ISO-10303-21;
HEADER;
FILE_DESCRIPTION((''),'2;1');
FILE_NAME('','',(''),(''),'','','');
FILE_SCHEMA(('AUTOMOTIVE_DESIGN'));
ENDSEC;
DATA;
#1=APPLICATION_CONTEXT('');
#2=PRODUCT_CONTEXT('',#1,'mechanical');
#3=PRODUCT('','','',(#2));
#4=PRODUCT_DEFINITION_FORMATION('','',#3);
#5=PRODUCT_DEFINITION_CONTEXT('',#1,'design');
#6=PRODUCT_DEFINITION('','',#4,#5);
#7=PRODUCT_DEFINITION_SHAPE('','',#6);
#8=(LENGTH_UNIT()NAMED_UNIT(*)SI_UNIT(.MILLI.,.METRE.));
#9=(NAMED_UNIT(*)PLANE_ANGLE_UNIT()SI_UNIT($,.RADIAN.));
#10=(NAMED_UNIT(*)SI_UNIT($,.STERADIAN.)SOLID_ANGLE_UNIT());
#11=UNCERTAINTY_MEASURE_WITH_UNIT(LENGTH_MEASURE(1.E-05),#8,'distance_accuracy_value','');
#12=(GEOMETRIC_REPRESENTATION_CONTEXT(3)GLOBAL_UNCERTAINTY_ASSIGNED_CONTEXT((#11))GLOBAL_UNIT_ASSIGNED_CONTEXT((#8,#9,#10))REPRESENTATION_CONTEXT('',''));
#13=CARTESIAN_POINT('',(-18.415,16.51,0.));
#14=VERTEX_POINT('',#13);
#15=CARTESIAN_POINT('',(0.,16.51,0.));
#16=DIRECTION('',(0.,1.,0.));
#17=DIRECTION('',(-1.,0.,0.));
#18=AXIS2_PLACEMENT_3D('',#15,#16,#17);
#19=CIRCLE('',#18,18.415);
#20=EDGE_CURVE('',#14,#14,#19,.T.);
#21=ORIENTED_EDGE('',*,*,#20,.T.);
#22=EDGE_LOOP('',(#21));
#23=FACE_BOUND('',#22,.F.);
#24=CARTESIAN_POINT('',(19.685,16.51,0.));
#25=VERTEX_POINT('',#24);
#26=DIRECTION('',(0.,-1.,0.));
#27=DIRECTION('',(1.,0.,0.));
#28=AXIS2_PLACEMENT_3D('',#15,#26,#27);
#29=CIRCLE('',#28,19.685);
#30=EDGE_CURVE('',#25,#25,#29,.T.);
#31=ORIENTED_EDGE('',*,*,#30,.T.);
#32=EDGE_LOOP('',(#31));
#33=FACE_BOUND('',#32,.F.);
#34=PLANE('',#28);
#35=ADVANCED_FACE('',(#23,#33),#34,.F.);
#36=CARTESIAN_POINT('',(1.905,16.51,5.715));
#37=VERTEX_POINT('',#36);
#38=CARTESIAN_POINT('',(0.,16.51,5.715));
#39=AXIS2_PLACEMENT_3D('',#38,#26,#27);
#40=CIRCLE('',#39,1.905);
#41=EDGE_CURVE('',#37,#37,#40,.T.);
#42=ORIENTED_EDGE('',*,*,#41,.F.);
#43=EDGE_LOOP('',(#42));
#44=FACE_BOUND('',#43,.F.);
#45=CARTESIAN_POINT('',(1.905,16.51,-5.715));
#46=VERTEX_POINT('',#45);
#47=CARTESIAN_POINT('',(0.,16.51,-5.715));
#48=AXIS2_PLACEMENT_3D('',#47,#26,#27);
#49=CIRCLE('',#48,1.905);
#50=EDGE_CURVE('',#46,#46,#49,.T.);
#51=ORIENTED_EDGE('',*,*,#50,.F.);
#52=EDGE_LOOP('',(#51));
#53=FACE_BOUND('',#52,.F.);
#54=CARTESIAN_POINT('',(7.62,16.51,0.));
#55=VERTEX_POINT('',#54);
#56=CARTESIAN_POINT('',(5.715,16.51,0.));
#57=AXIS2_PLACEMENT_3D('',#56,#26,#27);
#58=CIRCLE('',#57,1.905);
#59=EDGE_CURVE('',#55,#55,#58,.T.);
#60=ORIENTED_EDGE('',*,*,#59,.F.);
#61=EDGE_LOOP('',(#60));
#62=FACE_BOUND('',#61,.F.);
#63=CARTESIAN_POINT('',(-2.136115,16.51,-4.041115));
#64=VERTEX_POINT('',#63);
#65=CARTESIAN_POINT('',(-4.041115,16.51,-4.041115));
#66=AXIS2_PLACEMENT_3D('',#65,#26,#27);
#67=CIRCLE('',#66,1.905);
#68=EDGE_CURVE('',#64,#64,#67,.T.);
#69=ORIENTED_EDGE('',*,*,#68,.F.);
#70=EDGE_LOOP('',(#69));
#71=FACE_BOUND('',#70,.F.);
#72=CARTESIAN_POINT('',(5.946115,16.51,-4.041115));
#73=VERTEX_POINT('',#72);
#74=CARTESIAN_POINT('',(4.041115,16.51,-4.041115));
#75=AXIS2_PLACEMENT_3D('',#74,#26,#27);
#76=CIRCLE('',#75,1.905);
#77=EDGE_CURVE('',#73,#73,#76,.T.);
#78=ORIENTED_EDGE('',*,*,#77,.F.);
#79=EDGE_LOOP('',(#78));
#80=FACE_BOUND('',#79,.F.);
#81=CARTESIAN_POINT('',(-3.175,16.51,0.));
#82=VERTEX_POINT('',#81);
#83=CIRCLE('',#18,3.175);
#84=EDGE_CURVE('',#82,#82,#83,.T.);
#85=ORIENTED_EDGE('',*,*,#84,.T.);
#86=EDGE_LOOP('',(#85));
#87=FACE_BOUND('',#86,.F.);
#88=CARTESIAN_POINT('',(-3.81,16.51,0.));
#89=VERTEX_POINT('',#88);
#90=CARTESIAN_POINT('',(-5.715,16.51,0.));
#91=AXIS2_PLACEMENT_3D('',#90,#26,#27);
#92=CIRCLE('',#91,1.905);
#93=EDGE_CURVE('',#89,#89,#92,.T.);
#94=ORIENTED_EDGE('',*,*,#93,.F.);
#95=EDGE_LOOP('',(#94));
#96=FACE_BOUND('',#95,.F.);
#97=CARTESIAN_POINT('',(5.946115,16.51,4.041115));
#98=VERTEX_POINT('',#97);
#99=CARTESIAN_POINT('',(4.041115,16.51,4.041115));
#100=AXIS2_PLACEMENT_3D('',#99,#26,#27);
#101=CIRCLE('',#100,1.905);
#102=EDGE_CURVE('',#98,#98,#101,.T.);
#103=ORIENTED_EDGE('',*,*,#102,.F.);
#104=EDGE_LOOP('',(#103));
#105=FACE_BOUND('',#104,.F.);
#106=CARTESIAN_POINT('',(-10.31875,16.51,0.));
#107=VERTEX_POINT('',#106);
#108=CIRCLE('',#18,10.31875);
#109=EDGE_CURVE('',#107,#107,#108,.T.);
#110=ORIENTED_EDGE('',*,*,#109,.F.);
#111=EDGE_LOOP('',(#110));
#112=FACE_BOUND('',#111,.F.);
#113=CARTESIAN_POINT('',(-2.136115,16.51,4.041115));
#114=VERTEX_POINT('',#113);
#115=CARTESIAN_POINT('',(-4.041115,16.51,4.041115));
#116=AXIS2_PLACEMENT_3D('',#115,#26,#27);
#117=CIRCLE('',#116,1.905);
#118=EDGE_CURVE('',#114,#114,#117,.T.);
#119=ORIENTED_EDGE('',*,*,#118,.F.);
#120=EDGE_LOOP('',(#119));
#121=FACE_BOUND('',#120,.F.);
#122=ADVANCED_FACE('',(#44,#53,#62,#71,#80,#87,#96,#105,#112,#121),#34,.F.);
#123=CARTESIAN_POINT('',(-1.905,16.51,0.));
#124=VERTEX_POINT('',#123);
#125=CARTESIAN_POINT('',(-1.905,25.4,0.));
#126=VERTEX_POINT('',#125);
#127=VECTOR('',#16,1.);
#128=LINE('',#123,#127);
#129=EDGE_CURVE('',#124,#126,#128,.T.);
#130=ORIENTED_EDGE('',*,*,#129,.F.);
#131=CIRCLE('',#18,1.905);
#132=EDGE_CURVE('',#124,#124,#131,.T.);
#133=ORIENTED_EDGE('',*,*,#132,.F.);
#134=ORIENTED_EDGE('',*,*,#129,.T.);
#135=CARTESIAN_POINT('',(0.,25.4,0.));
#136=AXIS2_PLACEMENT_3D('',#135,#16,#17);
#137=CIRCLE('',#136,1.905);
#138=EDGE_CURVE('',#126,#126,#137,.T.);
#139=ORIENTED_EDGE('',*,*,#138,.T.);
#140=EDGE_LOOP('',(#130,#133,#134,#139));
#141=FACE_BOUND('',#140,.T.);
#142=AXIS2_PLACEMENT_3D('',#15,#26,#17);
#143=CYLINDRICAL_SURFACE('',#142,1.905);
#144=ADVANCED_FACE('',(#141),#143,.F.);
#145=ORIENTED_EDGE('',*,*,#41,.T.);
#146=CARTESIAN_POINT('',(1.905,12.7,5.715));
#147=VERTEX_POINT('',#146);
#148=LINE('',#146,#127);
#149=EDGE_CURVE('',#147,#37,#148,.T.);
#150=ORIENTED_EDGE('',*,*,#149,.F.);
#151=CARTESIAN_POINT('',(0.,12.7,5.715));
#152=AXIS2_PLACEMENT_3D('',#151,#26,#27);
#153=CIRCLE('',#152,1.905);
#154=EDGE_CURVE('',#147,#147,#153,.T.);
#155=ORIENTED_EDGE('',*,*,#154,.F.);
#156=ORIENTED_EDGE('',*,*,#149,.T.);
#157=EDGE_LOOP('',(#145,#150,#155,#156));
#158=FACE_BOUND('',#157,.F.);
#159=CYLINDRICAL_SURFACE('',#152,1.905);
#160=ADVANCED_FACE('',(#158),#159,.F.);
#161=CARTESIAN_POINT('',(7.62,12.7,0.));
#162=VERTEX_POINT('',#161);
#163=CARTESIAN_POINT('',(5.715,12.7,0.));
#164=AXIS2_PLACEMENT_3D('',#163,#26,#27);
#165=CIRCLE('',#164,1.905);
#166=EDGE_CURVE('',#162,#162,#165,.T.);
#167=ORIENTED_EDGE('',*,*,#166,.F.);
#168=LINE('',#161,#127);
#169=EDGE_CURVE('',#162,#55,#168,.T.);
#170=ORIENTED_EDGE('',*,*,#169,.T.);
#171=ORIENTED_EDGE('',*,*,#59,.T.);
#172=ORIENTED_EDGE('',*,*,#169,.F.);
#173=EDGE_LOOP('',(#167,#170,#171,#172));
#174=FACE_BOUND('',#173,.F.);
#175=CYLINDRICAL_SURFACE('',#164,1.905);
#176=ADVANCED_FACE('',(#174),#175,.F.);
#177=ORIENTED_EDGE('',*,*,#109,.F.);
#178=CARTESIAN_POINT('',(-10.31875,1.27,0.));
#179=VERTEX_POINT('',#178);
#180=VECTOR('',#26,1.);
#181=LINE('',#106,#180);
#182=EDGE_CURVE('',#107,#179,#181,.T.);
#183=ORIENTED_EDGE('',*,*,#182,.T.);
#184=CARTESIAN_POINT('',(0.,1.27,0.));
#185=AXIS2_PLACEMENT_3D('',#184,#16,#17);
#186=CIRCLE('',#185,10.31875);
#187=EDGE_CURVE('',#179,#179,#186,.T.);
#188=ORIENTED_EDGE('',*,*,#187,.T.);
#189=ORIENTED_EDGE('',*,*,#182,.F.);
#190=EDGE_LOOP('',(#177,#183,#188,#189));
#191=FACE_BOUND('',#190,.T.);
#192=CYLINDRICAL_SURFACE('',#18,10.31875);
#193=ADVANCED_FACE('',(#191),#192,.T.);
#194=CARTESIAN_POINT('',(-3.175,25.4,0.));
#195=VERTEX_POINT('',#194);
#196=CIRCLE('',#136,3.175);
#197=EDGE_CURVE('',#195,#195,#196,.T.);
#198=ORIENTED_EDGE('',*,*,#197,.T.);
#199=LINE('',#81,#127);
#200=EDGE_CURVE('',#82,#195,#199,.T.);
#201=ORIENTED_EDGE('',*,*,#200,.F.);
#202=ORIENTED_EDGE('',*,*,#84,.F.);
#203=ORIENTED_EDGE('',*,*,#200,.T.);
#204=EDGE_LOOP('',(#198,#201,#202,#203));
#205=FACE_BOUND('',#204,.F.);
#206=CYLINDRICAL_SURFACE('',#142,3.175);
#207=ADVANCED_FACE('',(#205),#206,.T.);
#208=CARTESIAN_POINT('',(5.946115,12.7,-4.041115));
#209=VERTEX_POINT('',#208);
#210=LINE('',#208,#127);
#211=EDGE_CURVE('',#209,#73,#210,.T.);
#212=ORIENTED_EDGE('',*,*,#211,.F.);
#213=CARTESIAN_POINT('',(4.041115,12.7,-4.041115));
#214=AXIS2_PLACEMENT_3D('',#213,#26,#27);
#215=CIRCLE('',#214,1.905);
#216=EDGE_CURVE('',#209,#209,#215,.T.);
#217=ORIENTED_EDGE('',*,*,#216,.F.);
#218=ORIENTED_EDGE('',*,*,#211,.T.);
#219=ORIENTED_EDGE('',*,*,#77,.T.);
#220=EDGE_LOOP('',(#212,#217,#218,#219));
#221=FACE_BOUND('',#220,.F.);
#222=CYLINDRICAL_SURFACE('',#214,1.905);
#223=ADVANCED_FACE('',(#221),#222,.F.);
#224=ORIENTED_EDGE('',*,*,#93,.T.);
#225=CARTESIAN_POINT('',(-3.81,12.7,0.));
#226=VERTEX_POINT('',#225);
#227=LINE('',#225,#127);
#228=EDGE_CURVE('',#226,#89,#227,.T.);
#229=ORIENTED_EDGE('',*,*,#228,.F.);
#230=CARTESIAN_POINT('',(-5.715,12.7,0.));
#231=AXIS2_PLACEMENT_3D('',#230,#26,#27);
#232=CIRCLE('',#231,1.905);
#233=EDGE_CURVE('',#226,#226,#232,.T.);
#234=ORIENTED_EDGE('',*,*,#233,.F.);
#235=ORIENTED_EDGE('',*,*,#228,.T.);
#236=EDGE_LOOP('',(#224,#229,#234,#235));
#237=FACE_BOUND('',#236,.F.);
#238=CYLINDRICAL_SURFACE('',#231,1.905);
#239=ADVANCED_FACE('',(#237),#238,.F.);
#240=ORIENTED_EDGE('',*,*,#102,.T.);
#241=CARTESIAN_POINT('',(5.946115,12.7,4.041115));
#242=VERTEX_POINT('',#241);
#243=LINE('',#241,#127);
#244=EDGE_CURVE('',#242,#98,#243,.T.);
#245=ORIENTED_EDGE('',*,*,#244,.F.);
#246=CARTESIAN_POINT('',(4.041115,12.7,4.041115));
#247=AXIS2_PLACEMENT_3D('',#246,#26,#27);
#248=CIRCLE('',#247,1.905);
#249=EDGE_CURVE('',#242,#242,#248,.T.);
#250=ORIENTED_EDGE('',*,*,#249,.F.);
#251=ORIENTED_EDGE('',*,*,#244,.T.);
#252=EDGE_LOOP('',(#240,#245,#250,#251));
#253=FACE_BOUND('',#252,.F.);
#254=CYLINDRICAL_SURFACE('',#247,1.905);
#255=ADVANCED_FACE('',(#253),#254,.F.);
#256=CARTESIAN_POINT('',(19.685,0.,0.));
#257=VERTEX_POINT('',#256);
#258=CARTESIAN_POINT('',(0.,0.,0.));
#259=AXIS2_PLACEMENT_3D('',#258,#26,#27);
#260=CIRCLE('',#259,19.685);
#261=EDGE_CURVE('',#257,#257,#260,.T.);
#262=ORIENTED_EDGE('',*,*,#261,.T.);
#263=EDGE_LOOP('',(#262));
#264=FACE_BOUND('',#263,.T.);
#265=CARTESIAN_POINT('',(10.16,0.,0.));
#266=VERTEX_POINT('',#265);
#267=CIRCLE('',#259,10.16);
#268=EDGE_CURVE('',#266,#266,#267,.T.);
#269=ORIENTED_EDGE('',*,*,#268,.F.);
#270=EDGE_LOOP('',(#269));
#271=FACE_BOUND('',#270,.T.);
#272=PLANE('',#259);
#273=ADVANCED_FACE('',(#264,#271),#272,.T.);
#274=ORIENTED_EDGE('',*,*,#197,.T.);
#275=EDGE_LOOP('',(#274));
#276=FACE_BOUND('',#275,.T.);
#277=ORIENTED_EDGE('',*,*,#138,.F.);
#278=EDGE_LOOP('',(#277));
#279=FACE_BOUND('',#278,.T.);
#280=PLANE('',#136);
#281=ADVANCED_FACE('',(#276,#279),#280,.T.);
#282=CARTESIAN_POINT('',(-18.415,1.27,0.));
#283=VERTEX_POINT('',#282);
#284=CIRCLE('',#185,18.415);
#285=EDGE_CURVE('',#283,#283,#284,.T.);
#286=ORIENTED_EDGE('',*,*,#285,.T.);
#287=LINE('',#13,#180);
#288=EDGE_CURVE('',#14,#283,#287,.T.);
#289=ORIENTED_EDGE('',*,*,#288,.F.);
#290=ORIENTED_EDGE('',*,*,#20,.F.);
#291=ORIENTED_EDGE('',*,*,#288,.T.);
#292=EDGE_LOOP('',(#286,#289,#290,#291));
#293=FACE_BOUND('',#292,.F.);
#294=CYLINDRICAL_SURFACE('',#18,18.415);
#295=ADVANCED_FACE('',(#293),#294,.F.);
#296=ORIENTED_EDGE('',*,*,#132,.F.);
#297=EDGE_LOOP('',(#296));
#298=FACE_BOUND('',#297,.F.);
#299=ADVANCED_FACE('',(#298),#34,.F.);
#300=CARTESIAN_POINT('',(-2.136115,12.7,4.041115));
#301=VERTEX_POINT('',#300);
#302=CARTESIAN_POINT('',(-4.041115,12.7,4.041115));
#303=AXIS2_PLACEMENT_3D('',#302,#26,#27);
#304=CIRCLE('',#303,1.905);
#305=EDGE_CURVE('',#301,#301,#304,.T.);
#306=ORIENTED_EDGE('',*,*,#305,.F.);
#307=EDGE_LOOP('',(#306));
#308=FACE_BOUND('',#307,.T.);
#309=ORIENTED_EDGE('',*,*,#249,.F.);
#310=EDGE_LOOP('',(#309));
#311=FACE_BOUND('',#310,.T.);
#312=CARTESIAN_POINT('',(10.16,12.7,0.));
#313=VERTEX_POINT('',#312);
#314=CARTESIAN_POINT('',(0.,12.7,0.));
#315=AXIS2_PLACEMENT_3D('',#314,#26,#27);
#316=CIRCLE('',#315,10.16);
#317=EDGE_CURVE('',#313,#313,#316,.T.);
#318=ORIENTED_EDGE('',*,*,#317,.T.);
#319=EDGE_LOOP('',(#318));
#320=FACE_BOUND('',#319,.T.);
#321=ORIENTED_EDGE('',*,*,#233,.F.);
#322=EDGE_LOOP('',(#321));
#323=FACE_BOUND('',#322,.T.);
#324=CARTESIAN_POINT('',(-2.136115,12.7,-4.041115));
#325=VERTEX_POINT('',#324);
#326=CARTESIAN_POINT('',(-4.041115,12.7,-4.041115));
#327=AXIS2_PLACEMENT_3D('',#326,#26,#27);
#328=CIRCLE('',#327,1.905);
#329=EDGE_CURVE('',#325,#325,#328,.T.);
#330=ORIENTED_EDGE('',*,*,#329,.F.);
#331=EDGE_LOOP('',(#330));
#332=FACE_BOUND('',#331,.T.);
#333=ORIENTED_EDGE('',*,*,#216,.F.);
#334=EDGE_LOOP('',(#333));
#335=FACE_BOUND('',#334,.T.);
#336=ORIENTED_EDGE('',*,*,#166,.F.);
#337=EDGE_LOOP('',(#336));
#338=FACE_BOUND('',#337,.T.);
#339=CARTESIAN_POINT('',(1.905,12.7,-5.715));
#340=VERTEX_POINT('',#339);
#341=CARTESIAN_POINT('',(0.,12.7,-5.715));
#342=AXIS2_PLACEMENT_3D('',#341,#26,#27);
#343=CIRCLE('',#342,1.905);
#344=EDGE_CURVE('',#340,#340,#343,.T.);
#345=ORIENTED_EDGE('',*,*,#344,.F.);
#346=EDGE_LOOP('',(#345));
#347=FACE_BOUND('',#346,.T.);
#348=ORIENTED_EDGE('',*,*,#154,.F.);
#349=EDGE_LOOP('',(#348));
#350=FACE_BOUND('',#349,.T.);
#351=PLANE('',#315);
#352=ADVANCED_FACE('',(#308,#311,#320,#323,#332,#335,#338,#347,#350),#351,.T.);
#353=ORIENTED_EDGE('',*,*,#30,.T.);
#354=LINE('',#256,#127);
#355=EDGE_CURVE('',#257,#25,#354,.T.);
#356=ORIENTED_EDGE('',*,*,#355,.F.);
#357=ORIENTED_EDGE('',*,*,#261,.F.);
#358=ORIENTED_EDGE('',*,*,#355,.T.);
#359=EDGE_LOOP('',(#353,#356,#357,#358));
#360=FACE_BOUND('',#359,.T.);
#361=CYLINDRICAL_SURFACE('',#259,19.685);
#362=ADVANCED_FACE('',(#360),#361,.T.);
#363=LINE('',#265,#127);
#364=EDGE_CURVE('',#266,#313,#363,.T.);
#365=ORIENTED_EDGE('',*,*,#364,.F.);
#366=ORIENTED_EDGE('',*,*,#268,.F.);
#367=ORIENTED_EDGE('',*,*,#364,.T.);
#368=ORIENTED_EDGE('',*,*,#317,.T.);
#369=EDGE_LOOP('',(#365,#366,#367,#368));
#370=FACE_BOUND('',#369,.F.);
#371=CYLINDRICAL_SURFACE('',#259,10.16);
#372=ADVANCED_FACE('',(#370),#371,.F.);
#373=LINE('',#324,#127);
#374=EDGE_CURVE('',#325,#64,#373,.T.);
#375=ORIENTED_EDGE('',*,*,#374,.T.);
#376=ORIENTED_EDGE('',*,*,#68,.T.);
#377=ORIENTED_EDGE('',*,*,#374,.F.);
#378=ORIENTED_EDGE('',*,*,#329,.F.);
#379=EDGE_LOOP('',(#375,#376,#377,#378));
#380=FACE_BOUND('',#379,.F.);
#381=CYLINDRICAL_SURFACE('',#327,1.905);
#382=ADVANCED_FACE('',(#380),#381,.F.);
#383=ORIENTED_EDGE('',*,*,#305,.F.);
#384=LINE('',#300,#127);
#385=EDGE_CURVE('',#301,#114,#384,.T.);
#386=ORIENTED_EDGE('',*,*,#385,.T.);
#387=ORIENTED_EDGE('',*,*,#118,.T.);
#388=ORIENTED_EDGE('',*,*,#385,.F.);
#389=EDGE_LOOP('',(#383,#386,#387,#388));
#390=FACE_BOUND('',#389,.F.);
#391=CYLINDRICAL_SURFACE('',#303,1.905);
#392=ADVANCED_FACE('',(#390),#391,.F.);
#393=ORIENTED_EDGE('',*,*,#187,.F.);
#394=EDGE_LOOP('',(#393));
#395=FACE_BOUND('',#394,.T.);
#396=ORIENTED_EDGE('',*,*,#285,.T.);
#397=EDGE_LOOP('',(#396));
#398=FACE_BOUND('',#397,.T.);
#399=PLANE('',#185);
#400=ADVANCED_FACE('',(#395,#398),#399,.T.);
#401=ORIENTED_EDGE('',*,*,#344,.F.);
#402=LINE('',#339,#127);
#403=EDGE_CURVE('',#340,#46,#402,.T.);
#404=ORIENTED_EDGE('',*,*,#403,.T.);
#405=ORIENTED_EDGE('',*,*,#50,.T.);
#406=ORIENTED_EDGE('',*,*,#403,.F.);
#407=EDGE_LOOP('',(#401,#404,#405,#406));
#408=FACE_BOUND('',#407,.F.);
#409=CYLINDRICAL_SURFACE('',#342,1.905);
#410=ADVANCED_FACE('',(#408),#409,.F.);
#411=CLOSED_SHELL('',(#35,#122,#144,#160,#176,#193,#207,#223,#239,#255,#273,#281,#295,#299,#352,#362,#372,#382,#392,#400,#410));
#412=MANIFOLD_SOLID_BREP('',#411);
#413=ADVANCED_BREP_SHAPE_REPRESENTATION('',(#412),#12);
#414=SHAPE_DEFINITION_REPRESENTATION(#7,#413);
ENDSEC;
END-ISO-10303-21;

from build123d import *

# Parameters (mm, degrees)
F0_R     = 19.685
F2_DEPTH = 16.51
F1_R     = 10.16
F3_DEPTH = 12.7
F4_R     = 1.905
F5_DEPTH = 25.4
F6_R     = 18.415
F6_R_2   = 10.31875
F7_DEPTH = 15.24
F8_R     = 3.175
F8_R_2   = 1.905
F9_DEPTH = 8.89


with BuildPart() as f2:
    # F0 (on Front) → F2 (new body)
    with BuildSketch(Plane.XZ):
        Circle(F0_R)
    extrude(amount=-F2_DEPTH)

    # F1 (on face) → F3 (cut)
    with BuildSketch(Plane.XZ):
        Circle(F1_R)
    extrude(amount=-F3_DEPTH, mode=Mode.SUBTRACT)

    # F4 (on face) → F5 (cut)
    with BuildSketch(Plane.XZ.offset(-12.7)):
        with Locations((0, 5.715)):
            Circle(F4_R)
        with Locations((4.041115, 4.041115)):
            Circle(F4_R)
        with Locations((5.715, 0)):
            Circle(F4_R)
        with Locations((4.041115, -4.041115)):
            Circle(F4_R)
        with Locations((0, -5.715)):
            Circle(F4_R)
        with Locations((-4.041115, -4.041115)):
            Circle(F4_R)
        with Locations((-4.041115, 4.041115)):
            Circle(F4_R)
        with Locations((-5.715, 0)):
            Circle(F4_R)
    extrude(amount=-F5_DEPTH, mode=Mode.SUBTRACT)

    # F6 (on face) → F7 (cut)
    with BuildSketch(Plane(origin=(0, 16.51, 0), x_dir=(-1, 0, 0), z_dir=(0, 1, 0))):
        Circle(F6_R)
        Circle(F6_R_2, mode=Mode.SUBTRACT)
    extrude(amount=-F7_DEPTH, mode=Mode.SUBTRACT)

    # F8 (on face) → F9 (join)
    with BuildSketch(Plane(origin=(0, 16.51, 0), x_dir=(-1, 0, 0), z_dir=(0, 1, 0))):
        Circle(F8_R)
        Circle(F8_R_2, mode=Mode.SUBTRACT)
    extrude(amount=F9_DEPTH)


solid = f2.part
